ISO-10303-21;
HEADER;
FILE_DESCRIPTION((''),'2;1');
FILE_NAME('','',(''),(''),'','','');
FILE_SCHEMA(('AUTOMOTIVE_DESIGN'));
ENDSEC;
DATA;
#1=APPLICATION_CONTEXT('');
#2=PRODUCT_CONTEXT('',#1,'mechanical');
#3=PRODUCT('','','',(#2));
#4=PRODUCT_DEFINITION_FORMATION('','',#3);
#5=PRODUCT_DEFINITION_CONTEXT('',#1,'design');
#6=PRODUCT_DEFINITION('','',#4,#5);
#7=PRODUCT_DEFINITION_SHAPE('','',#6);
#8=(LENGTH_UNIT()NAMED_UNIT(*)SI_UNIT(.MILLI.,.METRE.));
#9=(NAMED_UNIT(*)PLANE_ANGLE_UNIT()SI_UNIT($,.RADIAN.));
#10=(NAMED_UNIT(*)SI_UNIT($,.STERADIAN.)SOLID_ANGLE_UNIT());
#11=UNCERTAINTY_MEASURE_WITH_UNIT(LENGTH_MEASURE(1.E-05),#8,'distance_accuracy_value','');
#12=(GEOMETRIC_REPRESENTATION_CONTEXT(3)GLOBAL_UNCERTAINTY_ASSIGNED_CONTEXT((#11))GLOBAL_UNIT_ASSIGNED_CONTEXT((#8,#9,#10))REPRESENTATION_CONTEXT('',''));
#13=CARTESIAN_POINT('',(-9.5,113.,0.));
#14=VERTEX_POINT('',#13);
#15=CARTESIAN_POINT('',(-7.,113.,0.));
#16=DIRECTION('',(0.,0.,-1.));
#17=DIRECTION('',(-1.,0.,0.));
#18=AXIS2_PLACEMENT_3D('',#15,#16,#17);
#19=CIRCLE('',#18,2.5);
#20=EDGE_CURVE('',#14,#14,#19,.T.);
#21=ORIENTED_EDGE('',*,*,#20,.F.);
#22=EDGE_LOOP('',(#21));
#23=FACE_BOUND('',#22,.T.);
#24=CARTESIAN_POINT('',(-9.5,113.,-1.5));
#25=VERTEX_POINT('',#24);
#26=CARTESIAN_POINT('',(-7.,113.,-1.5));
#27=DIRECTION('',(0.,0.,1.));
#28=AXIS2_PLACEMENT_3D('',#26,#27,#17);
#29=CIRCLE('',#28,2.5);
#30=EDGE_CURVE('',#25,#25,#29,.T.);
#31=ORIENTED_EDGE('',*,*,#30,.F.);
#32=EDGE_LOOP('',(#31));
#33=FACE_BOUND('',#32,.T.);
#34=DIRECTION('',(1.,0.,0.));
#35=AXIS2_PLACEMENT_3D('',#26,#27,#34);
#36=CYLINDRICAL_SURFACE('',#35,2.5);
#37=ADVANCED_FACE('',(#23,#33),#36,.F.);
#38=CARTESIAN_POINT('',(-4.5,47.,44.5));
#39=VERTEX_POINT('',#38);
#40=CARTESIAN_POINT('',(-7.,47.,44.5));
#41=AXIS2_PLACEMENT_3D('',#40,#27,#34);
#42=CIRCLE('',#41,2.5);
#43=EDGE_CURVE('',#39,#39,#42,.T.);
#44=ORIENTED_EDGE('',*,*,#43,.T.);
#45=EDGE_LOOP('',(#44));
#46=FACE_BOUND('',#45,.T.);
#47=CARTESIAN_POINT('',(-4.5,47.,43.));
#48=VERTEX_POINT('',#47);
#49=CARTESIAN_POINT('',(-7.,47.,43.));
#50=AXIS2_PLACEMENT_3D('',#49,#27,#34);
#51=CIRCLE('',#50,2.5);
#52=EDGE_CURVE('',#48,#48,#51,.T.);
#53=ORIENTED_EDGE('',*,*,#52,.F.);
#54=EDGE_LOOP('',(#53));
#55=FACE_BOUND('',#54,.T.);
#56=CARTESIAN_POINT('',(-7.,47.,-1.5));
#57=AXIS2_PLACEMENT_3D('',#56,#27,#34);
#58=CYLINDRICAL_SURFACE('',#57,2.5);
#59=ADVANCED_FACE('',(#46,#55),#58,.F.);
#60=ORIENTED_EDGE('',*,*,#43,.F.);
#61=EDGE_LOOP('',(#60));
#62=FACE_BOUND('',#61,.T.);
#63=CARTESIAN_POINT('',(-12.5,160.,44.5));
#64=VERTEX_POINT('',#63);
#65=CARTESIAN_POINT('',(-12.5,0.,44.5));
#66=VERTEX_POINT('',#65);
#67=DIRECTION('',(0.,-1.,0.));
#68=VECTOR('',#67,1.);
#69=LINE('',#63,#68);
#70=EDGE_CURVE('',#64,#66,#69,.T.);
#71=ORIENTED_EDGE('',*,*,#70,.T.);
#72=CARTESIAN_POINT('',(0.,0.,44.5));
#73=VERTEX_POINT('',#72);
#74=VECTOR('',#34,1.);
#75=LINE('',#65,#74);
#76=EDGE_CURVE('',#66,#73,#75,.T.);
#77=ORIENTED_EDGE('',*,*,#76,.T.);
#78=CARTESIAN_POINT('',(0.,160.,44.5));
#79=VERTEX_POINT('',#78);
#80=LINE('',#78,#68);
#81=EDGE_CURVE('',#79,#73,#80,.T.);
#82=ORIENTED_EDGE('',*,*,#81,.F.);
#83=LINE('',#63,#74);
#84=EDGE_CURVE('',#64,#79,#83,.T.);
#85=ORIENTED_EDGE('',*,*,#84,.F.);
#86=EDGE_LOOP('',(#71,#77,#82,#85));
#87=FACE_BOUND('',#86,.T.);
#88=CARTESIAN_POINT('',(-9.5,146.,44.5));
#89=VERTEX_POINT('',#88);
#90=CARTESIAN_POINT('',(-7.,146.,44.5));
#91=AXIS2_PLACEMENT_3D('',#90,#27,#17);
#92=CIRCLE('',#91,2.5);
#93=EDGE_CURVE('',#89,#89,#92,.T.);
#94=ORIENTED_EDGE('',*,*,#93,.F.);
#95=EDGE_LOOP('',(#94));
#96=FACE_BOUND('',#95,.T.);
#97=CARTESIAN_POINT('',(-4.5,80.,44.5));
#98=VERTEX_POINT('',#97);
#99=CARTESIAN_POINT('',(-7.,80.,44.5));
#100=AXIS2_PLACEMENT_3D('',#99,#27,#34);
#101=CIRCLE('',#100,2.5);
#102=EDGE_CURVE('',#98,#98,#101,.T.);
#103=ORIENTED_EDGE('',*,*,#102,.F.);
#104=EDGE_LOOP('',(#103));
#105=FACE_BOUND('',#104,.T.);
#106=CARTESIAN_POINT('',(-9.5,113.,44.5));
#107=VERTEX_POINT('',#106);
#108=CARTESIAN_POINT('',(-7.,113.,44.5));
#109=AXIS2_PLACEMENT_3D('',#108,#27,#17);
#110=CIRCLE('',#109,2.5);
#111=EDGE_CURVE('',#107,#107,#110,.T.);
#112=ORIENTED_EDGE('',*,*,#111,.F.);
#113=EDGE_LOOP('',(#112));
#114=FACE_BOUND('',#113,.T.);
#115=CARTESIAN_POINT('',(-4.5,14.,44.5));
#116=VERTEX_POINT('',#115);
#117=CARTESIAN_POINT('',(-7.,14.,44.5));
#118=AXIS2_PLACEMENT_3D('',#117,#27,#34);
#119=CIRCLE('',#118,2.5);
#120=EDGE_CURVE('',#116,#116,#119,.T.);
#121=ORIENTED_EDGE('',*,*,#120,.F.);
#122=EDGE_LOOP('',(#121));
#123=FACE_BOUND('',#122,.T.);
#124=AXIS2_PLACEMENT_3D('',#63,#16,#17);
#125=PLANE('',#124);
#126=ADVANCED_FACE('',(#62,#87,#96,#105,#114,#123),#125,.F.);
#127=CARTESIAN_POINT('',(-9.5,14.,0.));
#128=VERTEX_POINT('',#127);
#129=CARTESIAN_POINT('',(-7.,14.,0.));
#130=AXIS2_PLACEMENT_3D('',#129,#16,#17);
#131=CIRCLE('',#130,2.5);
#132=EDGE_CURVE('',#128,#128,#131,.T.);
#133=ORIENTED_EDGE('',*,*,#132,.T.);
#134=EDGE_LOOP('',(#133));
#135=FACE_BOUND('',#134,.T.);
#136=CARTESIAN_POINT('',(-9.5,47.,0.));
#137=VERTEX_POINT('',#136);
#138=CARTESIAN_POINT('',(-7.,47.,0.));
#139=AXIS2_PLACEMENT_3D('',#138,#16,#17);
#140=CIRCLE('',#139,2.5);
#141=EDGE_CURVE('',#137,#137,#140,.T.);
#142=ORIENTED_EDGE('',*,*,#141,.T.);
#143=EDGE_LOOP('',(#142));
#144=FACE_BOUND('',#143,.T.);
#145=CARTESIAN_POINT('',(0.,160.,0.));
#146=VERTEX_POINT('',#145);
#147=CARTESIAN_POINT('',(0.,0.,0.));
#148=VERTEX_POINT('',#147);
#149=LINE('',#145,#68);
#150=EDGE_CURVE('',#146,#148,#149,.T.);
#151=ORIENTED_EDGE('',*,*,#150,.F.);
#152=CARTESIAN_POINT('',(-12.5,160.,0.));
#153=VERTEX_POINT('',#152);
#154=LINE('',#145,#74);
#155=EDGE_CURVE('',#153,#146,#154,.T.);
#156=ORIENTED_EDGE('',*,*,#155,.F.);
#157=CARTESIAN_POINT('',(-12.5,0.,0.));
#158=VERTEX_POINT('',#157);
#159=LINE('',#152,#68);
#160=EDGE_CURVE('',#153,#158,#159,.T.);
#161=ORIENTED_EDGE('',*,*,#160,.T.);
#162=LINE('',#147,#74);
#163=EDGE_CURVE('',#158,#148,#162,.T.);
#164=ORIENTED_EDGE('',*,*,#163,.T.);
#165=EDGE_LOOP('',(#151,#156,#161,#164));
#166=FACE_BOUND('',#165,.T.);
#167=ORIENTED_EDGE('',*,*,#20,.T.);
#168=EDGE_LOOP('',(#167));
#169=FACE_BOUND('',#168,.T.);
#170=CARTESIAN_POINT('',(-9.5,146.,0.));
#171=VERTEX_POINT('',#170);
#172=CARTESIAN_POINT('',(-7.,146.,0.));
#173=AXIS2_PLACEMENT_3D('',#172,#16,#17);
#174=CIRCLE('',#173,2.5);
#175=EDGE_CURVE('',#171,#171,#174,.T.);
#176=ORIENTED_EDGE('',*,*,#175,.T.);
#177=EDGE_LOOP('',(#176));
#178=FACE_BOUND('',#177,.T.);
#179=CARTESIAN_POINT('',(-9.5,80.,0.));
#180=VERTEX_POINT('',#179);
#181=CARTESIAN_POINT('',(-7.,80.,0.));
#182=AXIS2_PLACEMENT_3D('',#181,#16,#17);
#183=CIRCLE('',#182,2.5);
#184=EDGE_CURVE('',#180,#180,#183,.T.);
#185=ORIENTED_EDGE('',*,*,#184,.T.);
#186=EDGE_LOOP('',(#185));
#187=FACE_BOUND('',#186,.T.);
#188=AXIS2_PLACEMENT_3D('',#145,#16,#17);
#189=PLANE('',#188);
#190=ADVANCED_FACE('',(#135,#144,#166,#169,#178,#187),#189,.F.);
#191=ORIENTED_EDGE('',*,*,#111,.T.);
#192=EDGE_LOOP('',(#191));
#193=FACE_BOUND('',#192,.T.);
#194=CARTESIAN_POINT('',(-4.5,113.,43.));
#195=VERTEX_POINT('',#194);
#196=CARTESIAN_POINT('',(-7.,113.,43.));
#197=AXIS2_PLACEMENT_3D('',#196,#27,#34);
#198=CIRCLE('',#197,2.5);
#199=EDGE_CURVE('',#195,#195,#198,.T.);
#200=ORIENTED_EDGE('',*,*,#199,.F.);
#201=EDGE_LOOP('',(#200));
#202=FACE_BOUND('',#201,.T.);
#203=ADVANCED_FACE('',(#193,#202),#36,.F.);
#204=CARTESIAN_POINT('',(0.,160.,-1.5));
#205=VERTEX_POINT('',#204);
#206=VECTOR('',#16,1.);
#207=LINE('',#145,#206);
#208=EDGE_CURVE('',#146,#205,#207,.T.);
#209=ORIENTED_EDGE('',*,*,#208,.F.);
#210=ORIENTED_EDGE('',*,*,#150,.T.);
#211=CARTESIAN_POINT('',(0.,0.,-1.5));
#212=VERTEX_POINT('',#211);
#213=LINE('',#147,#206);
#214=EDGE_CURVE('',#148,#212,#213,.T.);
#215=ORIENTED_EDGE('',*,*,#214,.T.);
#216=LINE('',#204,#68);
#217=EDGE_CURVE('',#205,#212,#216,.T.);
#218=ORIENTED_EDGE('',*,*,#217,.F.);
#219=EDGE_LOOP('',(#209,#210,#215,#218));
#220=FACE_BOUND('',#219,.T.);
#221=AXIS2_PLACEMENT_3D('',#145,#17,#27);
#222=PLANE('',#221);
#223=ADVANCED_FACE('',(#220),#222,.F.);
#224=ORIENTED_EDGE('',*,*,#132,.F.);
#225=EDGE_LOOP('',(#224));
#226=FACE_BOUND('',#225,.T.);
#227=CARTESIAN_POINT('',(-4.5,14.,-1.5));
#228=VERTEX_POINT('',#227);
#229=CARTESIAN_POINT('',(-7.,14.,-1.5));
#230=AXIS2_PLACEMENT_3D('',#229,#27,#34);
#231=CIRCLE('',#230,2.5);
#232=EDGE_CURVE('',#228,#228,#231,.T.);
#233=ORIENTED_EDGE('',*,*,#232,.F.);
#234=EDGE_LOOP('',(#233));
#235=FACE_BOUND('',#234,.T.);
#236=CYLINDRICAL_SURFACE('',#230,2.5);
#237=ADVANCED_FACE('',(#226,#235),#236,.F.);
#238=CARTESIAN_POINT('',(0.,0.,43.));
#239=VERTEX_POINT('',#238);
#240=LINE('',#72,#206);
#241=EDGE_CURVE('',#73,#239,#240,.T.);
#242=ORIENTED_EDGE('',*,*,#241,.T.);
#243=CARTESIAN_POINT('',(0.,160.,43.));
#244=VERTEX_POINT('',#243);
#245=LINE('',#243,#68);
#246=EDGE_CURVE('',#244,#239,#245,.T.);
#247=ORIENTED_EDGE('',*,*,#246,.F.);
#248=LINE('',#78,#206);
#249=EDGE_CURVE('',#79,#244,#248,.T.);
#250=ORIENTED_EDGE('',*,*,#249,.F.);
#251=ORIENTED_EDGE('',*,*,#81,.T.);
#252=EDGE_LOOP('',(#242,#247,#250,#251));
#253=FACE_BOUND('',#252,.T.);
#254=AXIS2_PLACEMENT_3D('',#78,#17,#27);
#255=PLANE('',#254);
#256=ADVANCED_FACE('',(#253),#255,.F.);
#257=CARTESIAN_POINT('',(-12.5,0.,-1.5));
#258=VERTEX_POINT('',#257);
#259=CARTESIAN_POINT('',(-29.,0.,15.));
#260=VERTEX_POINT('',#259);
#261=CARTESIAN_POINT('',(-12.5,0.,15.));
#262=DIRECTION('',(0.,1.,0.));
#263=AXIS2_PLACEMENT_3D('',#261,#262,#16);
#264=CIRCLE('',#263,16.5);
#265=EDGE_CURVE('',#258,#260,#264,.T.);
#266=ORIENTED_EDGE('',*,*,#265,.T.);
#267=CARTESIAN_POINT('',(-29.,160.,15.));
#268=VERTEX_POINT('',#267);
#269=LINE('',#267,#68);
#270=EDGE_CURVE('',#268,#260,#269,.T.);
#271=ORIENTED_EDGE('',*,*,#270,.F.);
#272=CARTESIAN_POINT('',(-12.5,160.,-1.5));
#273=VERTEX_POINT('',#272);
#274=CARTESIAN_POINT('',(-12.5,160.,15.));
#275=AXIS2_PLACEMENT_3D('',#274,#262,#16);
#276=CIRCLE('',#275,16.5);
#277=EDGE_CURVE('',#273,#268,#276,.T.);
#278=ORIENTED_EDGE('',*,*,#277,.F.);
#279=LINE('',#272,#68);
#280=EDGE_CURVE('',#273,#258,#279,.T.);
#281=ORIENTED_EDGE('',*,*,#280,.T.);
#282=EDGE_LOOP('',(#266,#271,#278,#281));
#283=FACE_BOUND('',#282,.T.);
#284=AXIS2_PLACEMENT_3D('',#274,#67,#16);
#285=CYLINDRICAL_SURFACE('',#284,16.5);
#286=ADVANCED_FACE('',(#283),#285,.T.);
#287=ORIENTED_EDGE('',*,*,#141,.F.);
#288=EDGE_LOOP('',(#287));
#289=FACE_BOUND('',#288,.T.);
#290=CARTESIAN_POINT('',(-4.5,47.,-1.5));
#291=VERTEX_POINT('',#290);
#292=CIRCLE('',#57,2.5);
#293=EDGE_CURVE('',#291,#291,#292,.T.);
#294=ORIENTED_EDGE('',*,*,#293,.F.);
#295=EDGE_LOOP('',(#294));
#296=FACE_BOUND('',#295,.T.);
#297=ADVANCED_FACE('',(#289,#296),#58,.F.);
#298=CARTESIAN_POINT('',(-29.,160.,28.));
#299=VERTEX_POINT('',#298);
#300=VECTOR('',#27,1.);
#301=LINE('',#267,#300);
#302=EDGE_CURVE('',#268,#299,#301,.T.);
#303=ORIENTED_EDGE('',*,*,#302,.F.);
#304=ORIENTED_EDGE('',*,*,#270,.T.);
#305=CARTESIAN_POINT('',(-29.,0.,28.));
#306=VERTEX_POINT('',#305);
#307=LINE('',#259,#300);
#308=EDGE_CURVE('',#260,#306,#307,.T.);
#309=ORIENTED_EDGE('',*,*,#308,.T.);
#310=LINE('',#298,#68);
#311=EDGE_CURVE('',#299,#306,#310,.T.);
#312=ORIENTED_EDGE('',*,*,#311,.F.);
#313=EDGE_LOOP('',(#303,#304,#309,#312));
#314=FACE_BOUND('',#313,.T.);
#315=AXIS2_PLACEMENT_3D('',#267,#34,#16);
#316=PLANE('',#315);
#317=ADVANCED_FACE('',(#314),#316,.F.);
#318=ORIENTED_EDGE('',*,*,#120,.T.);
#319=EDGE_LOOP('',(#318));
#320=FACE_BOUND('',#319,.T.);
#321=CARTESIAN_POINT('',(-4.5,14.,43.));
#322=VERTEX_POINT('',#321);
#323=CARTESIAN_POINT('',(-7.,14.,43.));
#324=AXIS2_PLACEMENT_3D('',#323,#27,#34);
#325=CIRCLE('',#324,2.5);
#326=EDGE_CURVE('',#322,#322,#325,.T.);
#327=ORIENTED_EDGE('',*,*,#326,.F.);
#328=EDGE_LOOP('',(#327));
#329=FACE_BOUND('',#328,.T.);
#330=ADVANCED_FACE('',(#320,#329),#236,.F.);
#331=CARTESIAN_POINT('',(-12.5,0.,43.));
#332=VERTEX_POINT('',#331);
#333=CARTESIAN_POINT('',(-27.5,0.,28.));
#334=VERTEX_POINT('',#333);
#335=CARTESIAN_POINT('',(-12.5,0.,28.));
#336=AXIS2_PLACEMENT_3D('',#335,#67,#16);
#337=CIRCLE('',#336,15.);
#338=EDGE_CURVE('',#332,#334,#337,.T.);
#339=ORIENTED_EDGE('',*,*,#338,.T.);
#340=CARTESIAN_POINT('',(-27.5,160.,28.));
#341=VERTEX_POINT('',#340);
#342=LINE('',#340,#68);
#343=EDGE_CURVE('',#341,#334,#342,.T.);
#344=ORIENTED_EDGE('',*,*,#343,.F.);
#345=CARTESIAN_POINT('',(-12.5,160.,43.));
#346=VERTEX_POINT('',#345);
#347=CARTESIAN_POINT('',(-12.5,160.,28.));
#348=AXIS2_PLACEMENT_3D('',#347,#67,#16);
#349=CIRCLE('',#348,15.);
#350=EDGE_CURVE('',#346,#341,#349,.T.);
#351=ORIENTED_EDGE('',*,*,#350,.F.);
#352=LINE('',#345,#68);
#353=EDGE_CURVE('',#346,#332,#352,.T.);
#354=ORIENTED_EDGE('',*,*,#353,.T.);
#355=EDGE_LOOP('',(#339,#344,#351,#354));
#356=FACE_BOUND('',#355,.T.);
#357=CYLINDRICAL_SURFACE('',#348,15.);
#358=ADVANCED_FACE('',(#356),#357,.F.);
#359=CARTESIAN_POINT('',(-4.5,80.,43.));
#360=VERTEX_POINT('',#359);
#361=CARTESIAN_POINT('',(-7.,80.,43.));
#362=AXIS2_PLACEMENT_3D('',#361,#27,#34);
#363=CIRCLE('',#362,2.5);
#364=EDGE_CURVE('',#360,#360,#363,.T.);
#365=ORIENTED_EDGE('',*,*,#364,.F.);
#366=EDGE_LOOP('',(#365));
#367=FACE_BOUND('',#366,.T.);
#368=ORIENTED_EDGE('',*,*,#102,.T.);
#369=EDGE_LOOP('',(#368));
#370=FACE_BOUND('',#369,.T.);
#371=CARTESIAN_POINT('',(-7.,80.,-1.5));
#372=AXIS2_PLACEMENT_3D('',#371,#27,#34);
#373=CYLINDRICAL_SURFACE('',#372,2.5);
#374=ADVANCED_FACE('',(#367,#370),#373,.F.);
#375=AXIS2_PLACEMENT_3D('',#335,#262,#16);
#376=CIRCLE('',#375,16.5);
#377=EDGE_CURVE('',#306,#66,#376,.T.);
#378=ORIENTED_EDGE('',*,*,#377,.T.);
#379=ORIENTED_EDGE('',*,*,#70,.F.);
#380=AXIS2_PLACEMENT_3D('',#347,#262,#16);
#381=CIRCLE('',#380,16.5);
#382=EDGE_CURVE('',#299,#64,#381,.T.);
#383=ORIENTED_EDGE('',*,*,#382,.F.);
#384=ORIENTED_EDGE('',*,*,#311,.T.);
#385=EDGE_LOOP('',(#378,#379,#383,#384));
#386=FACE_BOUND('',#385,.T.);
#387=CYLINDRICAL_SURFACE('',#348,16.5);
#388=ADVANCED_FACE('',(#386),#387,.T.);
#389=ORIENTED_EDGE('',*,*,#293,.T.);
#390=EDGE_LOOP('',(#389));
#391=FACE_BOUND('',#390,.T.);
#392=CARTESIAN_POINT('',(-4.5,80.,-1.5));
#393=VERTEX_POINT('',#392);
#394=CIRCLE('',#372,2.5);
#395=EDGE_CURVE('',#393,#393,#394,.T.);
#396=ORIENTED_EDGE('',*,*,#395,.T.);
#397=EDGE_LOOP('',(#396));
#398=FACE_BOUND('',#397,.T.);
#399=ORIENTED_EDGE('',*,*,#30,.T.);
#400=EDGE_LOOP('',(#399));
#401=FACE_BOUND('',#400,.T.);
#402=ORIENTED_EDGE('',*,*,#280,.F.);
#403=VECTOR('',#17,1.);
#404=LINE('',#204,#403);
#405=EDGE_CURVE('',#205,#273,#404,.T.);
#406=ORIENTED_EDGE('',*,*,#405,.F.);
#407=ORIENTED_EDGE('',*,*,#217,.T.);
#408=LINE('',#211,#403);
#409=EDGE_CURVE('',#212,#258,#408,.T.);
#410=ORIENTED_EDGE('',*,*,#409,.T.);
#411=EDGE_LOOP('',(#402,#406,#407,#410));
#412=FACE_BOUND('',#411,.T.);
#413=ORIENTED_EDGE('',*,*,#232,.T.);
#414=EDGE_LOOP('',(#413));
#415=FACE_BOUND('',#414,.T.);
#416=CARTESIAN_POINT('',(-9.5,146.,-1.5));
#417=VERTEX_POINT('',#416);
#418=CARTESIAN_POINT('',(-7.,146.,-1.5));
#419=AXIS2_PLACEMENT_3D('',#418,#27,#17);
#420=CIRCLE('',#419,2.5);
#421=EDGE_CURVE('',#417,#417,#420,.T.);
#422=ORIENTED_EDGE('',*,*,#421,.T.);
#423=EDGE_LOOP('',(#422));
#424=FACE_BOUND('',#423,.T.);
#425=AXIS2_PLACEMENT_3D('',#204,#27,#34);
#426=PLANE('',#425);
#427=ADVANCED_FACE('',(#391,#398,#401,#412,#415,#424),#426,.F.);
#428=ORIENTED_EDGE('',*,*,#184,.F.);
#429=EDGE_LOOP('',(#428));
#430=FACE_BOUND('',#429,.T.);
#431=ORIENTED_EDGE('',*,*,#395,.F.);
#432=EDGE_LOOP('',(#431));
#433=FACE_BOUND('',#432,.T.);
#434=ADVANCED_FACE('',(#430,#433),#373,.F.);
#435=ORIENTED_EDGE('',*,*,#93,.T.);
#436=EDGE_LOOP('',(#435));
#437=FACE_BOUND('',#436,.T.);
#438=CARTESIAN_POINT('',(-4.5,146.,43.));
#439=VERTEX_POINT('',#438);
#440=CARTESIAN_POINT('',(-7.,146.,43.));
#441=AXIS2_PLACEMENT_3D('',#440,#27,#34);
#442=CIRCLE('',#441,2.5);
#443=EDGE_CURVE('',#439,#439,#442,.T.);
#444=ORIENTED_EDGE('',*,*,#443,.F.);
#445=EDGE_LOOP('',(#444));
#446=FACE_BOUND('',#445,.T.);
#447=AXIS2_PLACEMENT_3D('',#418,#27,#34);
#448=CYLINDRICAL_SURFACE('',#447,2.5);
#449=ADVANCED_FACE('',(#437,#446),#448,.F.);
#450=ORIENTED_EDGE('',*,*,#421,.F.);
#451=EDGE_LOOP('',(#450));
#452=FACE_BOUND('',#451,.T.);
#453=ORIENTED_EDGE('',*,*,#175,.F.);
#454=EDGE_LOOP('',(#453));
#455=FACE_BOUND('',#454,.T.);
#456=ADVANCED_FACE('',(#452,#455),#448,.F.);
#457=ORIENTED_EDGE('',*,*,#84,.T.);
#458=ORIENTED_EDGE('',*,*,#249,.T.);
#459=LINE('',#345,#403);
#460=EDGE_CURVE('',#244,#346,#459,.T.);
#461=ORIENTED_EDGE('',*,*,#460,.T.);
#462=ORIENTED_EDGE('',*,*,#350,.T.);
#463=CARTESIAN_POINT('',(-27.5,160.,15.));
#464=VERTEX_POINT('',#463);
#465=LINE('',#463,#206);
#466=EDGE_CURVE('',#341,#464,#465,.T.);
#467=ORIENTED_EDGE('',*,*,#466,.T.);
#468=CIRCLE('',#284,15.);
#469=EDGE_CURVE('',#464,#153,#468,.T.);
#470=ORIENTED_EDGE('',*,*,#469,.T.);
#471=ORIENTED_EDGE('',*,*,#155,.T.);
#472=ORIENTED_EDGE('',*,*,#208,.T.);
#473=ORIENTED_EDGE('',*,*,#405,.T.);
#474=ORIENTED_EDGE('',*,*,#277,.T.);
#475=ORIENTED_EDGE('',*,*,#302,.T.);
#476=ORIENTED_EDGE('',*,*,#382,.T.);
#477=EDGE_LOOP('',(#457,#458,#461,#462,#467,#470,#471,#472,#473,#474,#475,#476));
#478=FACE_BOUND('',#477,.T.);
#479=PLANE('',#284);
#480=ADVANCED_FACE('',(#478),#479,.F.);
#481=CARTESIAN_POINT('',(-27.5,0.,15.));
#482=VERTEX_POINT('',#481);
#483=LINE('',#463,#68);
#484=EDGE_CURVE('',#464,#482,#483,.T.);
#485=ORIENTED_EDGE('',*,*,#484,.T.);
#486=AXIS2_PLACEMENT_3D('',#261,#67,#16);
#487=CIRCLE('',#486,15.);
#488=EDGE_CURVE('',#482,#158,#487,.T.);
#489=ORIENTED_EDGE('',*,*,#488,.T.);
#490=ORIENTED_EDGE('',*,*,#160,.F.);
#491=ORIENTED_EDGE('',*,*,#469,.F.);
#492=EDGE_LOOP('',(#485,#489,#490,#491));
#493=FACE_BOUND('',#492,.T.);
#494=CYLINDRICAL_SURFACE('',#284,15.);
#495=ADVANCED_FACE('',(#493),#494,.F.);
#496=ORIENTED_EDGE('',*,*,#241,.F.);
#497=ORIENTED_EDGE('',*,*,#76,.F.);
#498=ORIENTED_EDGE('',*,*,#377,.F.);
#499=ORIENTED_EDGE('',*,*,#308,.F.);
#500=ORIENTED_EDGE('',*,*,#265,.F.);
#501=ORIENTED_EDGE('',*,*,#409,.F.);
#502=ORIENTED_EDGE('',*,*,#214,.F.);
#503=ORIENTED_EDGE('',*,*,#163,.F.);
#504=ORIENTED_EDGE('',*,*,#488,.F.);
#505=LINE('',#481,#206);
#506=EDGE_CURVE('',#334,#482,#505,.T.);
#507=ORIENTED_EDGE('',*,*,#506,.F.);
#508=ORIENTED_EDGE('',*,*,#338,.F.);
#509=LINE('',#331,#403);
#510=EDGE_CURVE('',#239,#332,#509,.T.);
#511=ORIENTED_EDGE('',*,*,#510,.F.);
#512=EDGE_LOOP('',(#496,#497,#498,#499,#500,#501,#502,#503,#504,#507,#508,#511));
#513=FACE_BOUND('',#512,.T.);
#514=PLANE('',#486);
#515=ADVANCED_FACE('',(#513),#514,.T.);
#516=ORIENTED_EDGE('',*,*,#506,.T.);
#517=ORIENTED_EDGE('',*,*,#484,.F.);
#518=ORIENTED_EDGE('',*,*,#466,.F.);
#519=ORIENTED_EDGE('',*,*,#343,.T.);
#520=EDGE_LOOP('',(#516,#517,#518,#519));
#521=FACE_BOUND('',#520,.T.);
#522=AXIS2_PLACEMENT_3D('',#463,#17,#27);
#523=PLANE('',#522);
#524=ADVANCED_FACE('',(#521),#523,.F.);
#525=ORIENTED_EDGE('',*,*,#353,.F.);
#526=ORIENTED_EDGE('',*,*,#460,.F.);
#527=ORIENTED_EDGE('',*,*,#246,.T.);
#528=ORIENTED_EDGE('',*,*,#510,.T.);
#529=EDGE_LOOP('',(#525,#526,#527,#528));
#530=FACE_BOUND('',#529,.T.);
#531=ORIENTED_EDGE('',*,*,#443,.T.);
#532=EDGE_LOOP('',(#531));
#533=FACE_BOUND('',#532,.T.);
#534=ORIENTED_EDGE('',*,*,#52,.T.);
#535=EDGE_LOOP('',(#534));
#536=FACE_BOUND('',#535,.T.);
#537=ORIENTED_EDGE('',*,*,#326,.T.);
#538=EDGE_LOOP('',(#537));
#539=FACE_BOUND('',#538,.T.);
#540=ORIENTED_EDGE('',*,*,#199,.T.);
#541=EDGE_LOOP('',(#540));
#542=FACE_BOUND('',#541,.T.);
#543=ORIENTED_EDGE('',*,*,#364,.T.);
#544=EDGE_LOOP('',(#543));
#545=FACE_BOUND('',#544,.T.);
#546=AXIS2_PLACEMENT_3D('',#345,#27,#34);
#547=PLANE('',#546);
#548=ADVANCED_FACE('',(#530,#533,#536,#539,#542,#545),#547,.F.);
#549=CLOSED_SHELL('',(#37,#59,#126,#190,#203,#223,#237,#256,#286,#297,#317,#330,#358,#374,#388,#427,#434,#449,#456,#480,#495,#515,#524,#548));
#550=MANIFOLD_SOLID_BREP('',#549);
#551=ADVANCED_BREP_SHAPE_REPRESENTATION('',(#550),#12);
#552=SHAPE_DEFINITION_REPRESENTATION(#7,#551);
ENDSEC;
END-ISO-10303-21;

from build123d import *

# Parameters (mm, degrees)
EXTRUDE_2_DEPTH     = 160
SKETCH_5_R          = 2.5
CUT_EXTRUDE_1_DEPTH = 169.988165266


with BuildPart() as part:
    # Эскиз4 → Бобышка-Вытянуть2 (new body)
    with BuildSketch(Plane(origin=(0, 0, 0), x_dir=(1, 0, 0), z_dir=(0, 1, 0))):
        with BuildLine():
            Line((0, 0), (-12.5, 0))
            ThreePointArc((-12.5, 0), (-23.106601718, -4.393398282), (-27.5, -15))
            Line((-27.5, -15), (-27.5, -28))
            ThreePointArc((-27.5, -28), (-23.106601718, -38.606601718), (-12.5, -43))
            Line((-12.5, -43), (0, -43))
            Line((0, -43), (0, -44.5))
            Line((0, -44.5), (-12.5, -44.5))
            ThreePointArc((-12.5, -44.5), (-24.16726189, -39.66726189), (-29, -28))
            Line((-29, -28), (-29, -15))
            ThreePointArc((-29, -15), (-24.16726189, -3.33273811), (-12.5, 1.5))
            Line((-12.5, 1.5), (0, 1.5))
            Line((0, 1.5), (0, 0))
        make_face()
    extrude(amount=EXTRUDE_2_DEPTH)

    # Эскиз5 → Вырез-Вытянуть1 (cut, through all)
    with BuildSketch(Plane.XY.offset(44.5)):
        with Locations((-7, 80)):
            Circle(SKETCH_5_R)
        with Locations((-7, 47)):
            Circle(SKETCH_5_R)
        with Locations((-7, 14)):
            Circle(SKETCH_5_R)
        with Locations((-7, 146)):
            Circle(SKETCH_5_R)
        with Locations((-7, 113)):
            Circle(SKETCH_5_R)
    extrude(amount=-CUT_EXTRUDE_1_DEPTH, mode=Mode.SUBTRACT)


solid = part.part
